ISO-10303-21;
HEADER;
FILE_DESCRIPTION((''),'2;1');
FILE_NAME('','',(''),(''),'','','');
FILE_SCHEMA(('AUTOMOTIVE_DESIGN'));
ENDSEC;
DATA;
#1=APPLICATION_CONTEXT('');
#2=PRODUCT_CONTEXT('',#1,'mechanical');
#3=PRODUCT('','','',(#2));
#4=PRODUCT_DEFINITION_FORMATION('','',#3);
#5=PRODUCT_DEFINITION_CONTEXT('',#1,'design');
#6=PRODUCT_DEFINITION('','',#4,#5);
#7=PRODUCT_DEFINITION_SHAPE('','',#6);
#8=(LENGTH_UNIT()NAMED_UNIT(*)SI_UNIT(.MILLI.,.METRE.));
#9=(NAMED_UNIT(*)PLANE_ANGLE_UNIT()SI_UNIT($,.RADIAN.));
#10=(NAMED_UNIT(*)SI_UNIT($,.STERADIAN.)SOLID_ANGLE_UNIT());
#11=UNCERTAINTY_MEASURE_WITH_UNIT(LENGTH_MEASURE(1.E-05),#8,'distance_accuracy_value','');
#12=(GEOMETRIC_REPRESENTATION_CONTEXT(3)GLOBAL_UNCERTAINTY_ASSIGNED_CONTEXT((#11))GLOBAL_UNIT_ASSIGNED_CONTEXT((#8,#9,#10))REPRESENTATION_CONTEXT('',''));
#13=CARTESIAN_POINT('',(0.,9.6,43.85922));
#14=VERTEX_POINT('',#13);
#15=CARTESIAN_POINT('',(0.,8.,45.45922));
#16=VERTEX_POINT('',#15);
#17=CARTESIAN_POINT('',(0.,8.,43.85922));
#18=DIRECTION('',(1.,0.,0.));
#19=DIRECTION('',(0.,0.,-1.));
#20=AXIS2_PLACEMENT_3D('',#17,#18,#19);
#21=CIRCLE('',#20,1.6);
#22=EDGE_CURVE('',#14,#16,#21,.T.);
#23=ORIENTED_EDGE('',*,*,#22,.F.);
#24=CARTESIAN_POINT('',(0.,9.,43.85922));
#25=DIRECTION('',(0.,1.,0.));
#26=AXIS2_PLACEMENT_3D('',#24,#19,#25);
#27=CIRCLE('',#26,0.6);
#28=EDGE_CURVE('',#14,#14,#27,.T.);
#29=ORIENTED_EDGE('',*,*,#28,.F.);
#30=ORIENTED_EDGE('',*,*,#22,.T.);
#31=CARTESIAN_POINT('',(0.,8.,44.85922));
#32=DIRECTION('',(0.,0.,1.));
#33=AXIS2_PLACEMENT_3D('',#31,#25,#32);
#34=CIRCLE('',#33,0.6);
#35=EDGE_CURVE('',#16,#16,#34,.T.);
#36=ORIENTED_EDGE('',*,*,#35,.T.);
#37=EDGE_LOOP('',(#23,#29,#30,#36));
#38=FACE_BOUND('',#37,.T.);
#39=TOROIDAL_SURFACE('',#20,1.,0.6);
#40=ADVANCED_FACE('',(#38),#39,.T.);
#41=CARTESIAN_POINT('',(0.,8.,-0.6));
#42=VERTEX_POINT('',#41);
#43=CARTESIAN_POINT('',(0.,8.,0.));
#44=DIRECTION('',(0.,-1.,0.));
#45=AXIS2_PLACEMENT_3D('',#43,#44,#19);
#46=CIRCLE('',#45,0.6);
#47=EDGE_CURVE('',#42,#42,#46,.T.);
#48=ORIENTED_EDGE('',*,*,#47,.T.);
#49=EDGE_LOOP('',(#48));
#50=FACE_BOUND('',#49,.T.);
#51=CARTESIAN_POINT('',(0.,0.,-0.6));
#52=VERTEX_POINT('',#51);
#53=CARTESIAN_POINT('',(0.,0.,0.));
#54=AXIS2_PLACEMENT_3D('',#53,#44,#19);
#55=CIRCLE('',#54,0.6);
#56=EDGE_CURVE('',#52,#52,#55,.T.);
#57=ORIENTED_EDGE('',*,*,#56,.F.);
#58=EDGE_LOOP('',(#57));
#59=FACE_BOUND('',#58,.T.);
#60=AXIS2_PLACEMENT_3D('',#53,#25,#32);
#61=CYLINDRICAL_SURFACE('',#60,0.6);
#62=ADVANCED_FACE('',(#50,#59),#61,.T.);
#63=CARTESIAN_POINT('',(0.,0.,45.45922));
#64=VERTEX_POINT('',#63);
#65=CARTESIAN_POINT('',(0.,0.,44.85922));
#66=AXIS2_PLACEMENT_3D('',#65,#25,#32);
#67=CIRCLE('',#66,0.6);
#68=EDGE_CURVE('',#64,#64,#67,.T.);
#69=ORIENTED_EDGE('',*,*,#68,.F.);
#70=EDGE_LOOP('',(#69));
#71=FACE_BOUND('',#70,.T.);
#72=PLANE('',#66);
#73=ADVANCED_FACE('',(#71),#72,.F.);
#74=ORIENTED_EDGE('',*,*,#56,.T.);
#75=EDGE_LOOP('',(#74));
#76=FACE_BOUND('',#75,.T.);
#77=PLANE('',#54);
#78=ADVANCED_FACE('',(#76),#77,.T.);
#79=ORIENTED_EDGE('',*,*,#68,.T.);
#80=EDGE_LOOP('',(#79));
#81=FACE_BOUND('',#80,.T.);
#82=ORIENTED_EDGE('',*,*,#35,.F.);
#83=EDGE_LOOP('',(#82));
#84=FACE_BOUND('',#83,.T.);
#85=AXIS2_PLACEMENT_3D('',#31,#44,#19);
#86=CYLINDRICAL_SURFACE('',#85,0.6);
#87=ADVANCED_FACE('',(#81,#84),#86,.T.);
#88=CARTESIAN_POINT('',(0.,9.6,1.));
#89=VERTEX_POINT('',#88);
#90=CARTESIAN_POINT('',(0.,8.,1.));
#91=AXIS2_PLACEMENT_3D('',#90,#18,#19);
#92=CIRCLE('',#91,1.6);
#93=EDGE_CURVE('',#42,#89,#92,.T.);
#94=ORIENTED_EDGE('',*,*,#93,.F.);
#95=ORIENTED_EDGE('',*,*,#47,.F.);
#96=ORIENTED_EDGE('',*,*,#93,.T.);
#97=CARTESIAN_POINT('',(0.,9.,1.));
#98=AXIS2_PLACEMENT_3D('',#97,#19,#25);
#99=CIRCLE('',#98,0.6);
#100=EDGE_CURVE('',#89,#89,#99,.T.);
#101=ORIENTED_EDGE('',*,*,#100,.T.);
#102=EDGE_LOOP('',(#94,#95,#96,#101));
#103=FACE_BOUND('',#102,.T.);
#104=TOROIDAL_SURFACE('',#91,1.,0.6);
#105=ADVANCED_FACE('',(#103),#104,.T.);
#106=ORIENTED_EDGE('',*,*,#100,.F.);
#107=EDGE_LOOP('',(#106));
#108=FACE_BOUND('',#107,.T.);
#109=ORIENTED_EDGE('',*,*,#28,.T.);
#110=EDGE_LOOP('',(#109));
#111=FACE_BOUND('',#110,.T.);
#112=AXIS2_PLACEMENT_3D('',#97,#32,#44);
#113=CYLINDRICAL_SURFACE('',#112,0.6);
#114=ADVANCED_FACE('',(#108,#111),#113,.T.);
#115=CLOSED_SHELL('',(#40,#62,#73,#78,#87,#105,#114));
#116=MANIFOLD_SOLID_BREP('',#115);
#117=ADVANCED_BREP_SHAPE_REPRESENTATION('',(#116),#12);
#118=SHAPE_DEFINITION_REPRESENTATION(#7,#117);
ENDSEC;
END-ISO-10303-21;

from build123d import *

# Parameters (mm, degrees)
SWEEP4_PROFILE_R = 0.6


with BuildPart() as part:
    # Sweep4: sweep along a path in Sketch4
    with BuildLine(Plane(origin=(0, 0, 0), x_dir=(0, 0, -1), z_dir=(1, 0, 0))) as sweep4_path:
        Line((0, 0), (0, 8))
        ThreePointArc((0, 8), (-0.292893219, 8.707106781), (-1, 9))
        Line((-1, 9), (-43.85922, 9))
        ThreePointArc((-43.85922, 9), (-44.566326781, 8.707106781), (-44.85922, 8))
        Line((-44.85922, 8), (-44.85922, 0))
    # Sweep4 profile (on start of the path) → Sweep4 (sweep)
    with BuildSketch(Plane.ZX):
        Circle(SWEEP4_PROFILE_R)
    sweep(path=sweep4_path.line)


solid = part.part
